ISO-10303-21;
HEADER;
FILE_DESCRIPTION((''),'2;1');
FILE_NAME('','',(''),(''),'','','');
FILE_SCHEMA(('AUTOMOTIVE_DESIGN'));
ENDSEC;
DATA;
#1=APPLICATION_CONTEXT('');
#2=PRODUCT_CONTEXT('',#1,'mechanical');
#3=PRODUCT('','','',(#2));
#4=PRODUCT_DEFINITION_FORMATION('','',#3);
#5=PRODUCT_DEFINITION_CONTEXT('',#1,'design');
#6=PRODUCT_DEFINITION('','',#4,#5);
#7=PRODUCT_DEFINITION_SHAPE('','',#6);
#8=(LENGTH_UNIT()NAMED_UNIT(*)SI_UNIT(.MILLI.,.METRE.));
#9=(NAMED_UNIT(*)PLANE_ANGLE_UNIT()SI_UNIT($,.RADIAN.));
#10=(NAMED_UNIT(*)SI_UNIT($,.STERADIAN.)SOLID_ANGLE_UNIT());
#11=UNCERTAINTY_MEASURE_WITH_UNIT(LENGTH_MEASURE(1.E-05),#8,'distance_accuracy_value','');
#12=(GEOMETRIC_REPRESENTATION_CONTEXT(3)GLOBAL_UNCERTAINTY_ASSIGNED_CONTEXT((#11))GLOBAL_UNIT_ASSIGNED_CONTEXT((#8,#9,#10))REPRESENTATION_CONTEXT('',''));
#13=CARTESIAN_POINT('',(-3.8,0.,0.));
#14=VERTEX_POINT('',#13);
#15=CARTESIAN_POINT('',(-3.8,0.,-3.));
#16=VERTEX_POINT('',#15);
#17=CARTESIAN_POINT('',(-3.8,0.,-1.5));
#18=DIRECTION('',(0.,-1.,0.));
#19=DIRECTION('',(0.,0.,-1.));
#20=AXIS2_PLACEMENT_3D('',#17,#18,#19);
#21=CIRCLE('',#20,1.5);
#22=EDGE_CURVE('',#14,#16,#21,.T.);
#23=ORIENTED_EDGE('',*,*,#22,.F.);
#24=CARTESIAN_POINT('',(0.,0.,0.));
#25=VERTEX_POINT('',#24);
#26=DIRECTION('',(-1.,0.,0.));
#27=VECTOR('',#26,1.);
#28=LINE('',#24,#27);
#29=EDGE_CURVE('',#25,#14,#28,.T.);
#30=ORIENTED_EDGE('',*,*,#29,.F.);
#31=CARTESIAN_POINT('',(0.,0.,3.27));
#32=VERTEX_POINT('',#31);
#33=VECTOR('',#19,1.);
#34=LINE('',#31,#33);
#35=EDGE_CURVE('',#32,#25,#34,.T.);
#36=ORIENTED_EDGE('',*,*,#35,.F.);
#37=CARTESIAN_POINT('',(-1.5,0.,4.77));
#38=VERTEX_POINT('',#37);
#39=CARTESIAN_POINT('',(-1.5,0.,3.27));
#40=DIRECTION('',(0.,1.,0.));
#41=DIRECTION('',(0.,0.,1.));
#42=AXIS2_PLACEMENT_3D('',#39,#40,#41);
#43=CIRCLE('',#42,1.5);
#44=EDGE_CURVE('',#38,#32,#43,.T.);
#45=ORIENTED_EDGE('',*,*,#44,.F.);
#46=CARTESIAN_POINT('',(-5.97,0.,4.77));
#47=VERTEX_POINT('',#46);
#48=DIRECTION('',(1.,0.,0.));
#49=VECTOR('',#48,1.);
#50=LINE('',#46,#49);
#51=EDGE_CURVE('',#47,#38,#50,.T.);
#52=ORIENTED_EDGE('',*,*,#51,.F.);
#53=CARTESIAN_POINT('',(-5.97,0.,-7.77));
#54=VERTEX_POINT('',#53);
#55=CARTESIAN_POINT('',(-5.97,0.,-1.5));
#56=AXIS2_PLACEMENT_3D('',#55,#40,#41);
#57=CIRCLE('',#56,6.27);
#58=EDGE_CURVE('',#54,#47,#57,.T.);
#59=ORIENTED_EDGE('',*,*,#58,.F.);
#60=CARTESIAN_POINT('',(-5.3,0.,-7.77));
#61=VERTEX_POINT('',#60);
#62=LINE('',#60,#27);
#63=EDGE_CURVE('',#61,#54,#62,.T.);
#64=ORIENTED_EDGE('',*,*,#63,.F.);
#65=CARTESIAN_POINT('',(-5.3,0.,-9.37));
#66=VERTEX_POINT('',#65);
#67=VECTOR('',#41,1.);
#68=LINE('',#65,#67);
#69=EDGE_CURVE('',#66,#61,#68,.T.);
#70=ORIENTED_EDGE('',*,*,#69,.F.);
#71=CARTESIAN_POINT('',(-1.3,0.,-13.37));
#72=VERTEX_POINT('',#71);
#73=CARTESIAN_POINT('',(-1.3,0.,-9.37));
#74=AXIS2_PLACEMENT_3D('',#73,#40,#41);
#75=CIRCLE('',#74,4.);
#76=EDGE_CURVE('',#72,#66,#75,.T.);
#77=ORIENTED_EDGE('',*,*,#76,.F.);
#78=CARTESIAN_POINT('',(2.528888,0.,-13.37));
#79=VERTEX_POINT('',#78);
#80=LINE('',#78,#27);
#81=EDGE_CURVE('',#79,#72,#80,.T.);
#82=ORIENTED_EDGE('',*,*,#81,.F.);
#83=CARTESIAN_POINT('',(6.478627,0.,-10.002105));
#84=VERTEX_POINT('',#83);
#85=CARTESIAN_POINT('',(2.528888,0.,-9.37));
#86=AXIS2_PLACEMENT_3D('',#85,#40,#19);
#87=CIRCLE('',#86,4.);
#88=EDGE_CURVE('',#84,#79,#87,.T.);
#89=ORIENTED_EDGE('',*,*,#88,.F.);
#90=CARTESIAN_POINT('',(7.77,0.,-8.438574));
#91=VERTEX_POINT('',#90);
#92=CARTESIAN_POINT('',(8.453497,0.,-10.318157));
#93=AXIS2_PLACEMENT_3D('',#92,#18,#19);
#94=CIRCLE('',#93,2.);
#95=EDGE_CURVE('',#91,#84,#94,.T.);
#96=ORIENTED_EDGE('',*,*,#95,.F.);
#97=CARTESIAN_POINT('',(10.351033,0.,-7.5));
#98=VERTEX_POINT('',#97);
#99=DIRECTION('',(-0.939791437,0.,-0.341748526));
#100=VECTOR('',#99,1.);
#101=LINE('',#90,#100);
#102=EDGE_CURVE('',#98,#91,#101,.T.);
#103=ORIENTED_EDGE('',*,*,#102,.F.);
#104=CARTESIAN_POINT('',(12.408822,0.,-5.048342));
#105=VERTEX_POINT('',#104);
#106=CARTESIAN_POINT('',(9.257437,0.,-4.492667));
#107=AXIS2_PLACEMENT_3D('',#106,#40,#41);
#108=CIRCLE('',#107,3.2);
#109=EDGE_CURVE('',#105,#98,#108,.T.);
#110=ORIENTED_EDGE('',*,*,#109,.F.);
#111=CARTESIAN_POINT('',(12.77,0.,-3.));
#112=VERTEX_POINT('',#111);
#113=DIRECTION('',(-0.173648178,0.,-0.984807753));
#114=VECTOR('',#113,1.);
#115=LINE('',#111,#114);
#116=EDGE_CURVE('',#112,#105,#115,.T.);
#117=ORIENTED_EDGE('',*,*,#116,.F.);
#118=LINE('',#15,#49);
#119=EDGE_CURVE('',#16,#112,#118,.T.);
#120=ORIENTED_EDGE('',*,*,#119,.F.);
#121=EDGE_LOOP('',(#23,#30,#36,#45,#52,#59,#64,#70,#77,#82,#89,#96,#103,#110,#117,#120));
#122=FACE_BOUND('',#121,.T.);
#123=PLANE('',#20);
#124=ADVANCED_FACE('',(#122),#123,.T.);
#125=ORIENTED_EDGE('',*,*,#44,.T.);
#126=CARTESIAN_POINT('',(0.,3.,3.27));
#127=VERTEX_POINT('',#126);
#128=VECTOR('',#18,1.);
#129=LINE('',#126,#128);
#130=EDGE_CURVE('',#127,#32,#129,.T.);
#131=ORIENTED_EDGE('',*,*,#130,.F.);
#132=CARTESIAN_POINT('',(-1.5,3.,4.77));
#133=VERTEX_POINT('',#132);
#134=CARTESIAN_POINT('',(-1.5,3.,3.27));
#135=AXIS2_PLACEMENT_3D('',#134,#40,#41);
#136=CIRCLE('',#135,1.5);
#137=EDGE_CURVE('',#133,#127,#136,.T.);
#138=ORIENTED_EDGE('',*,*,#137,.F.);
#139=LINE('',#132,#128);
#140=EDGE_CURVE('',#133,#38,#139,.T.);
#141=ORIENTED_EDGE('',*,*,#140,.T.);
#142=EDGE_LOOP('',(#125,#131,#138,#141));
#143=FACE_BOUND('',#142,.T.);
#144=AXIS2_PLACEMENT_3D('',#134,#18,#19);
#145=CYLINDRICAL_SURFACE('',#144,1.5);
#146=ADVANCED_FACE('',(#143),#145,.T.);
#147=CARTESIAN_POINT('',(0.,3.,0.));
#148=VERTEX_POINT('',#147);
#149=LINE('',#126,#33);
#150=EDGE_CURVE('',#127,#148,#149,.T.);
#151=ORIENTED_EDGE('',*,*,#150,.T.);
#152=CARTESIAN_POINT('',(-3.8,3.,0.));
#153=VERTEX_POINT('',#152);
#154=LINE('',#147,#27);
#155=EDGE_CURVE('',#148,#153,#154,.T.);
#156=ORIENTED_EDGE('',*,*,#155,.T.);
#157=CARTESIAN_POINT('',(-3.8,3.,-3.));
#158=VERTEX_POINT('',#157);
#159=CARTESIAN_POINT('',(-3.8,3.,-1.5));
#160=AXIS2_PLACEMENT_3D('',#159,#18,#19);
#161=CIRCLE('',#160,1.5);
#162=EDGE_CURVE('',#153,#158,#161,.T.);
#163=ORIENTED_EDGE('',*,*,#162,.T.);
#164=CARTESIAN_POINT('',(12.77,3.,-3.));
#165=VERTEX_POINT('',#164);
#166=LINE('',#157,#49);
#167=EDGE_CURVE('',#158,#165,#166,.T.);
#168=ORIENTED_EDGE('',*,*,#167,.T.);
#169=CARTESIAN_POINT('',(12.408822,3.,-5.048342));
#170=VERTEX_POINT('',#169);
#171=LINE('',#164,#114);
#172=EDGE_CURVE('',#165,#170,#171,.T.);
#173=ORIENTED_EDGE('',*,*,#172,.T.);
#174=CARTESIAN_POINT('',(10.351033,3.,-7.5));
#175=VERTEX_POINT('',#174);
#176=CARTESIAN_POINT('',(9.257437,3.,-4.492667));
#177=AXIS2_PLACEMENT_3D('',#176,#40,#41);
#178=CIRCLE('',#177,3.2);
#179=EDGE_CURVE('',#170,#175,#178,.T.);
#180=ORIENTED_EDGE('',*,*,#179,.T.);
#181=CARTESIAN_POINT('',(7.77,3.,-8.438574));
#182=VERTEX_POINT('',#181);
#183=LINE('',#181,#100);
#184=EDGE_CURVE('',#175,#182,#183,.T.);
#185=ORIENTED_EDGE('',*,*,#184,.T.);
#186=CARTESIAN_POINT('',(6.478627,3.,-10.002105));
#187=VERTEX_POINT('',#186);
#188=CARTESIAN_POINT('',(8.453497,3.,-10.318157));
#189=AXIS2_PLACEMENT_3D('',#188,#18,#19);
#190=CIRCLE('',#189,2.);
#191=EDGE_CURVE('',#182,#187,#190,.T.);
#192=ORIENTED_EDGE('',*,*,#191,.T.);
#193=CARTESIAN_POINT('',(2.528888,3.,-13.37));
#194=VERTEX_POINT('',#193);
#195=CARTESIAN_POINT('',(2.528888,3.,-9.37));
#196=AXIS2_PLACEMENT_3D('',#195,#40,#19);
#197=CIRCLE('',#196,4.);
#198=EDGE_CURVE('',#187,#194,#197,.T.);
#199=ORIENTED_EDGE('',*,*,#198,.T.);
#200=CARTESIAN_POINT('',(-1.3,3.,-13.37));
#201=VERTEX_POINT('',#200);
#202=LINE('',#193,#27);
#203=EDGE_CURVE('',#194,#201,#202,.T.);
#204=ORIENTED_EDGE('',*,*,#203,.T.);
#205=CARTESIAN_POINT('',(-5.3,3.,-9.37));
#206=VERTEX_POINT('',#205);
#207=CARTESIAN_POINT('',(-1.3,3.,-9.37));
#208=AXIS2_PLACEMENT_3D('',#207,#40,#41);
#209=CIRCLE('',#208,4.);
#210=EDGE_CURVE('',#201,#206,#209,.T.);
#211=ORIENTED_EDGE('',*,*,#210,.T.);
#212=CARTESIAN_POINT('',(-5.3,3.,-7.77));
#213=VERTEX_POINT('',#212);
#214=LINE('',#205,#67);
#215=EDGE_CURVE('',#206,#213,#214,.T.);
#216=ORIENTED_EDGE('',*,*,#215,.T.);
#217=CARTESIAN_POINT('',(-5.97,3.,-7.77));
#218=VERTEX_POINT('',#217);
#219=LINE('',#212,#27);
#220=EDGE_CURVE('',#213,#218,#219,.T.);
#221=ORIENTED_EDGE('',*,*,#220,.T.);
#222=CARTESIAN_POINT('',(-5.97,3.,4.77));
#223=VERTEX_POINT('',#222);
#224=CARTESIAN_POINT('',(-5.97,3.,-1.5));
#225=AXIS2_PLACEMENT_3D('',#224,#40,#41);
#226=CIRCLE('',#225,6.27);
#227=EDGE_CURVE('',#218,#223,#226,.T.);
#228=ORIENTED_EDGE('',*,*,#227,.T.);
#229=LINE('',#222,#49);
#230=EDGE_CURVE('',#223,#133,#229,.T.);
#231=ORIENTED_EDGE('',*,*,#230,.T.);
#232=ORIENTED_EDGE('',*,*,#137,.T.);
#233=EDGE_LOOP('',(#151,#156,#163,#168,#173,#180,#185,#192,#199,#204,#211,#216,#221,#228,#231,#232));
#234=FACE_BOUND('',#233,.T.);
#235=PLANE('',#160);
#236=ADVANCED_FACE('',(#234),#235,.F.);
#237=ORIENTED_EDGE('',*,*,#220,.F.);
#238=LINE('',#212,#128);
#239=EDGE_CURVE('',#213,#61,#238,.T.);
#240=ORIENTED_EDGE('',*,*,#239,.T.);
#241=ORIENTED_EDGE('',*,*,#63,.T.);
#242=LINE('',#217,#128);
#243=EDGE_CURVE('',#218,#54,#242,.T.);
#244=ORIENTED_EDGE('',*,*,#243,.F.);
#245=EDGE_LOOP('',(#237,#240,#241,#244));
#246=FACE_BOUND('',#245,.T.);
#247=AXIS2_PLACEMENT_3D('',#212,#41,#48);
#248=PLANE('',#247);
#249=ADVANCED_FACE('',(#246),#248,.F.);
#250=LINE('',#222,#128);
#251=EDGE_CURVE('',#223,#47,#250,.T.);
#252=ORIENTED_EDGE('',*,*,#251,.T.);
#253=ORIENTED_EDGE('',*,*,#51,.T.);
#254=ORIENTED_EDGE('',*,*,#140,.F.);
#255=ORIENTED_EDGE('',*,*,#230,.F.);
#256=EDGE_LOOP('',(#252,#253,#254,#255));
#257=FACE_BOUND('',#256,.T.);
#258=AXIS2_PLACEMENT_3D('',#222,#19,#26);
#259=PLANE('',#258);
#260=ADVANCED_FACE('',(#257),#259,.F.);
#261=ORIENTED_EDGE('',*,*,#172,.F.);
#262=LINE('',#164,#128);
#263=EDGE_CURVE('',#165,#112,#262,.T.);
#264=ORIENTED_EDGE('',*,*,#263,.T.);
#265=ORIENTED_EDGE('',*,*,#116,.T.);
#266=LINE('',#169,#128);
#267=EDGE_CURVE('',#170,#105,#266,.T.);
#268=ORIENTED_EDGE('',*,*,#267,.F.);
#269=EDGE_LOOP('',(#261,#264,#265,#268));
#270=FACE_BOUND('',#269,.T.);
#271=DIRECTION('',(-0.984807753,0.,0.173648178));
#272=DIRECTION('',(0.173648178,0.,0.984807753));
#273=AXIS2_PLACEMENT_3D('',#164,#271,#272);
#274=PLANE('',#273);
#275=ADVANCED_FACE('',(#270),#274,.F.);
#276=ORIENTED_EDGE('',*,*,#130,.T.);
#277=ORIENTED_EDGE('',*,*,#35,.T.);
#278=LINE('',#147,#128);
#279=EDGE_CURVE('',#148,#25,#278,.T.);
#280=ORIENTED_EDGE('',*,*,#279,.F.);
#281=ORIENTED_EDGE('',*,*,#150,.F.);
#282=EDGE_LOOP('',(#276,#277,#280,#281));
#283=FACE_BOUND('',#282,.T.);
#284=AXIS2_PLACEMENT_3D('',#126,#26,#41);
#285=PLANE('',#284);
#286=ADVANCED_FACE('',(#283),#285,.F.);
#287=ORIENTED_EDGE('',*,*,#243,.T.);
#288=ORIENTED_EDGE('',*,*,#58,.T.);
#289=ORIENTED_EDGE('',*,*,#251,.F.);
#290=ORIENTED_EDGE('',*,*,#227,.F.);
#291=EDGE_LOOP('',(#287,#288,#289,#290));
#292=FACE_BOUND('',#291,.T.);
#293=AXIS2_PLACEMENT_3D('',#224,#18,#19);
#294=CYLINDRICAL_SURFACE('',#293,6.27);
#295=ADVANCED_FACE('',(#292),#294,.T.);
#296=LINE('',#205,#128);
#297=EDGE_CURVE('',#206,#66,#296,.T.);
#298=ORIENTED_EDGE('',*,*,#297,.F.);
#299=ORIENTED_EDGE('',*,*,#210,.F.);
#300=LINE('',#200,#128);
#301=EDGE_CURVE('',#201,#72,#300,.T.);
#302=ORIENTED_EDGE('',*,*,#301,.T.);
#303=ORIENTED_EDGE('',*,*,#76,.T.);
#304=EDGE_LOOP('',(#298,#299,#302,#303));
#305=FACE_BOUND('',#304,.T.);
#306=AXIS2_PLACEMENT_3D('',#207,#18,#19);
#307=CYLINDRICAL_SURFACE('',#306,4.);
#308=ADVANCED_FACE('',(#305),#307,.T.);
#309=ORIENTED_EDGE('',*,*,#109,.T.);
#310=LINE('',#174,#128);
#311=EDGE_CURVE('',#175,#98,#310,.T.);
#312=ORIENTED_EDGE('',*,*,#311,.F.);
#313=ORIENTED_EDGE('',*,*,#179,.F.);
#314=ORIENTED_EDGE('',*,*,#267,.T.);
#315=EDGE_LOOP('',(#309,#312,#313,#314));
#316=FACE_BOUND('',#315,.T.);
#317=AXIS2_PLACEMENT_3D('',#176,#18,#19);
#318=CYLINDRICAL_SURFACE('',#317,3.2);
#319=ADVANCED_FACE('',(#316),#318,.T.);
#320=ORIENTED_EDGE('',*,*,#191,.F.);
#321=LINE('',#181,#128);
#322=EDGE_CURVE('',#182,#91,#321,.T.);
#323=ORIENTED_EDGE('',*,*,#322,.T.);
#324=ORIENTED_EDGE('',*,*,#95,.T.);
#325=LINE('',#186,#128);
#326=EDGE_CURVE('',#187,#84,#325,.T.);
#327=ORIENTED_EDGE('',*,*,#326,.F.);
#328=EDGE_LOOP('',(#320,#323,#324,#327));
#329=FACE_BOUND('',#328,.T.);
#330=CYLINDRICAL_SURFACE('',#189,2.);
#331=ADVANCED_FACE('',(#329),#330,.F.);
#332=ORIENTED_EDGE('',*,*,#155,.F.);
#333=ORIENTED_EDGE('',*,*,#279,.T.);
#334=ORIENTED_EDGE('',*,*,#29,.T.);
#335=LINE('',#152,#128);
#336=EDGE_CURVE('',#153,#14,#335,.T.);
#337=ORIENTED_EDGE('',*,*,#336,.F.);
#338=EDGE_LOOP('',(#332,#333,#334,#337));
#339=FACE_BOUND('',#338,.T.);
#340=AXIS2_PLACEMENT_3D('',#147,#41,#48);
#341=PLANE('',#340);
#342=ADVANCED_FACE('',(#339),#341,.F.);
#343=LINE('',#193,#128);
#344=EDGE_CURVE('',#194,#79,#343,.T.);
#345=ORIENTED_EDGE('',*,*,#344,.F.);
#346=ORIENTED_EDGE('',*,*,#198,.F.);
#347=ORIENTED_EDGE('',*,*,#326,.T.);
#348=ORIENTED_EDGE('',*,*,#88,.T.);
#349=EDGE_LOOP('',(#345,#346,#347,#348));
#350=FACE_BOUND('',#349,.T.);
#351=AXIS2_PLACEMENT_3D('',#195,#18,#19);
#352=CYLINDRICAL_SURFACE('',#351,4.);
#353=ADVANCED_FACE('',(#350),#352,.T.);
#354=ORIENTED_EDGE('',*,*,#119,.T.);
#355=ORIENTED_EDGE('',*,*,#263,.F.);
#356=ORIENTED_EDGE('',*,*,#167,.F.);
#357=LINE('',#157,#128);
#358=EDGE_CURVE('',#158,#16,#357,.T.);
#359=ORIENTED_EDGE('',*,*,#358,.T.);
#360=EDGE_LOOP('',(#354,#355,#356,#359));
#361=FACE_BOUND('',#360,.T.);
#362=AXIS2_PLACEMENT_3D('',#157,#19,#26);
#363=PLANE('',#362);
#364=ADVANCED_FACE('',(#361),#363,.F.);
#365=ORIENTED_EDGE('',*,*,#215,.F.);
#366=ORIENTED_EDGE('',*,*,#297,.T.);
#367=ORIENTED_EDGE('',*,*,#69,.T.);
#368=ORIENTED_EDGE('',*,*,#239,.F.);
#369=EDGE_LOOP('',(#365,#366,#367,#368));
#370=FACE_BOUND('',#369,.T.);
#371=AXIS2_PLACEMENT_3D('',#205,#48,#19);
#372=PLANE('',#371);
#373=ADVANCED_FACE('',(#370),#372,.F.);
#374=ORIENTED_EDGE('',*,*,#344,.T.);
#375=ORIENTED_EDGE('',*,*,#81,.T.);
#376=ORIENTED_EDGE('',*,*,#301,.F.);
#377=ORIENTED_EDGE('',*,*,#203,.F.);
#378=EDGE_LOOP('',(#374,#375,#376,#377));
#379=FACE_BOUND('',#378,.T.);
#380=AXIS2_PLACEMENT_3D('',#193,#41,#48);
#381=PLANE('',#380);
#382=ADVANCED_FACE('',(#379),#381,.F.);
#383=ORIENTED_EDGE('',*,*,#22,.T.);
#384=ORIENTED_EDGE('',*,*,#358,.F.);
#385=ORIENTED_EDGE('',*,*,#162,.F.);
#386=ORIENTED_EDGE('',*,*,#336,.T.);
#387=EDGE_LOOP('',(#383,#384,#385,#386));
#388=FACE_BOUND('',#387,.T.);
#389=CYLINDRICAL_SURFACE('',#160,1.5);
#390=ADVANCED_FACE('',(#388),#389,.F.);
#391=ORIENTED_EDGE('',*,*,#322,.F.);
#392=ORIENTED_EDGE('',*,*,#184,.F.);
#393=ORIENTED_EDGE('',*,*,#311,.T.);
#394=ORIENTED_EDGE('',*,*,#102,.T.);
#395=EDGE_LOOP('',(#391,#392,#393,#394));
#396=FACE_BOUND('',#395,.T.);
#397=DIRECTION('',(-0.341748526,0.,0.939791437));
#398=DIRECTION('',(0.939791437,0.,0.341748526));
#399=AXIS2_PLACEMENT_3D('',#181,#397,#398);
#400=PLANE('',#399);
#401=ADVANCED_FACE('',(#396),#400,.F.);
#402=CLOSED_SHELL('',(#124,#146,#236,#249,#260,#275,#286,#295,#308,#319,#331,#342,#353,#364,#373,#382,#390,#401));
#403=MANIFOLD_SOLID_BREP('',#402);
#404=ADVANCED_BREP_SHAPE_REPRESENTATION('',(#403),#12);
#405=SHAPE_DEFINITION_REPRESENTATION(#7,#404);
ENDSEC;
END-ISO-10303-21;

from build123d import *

# Parameters (mm, degrees)
BOSS_EXTRUDE2_DEPTH = 3


with BuildPart() as part:
    # Sketch1 → Boss-Extrude2 (new body)
    with BuildSketch(Plane(origin=(0, 0, 0), x_dir=(1, 0, 0), z_dir=(0, 1, 0))):
        with BuildLine():
            Line((0, 0), (-3.8, 0))
            ThreePointArc((-3.8, 0), (-5.3, 1.5), (-3.8, 3))
            Line((-3.8, 3), (12.77, 3))
            Line((12.77, 3), (12.408822115, 5.04834157))
            ThreePointArc((12.408822115, 5.04834157), (11.708482238, 6.549941992), (10.351032589, 7.5))
            Line((10.351032589, 7.5), (7.77, 8.438574292))
            ThreePointArc((7.77, 8.438574292), (6.911457646, 9.044534587), (6.478627211, 10.002104777))
            ThreePointArc((6.478627211, 10.002104777), (5.12422767, 12.413716405), (2.52888753, 13.37))
            Line((2.52888753, 13.37), (-1.3, 13.37))
            ThreePointArc((-1.3, 13.37), (-4.128427125, 12.198427125), (-5.3, 9.37))
            Line((-5.3, 9.37), (-5.3, 7.77))
            Line((-5.3, 7.77), (-5.97, 7.77))
            ThreePointArc((-5.97, 7.77), (-12.24, 1.5), (-5.97, -4.77))
            Line((-5.97, -4.77), (-1.5, -4.77))
            ThreePointArc((-1.5, -4.77), (-0.439339828, -4.330660172), (0, -3.27))
            Line((0, -3.27), (0, 0))
        make_face()
    extrude(amount=BOSS_EXTRUDE2_DEPTH)


solid = part.part
